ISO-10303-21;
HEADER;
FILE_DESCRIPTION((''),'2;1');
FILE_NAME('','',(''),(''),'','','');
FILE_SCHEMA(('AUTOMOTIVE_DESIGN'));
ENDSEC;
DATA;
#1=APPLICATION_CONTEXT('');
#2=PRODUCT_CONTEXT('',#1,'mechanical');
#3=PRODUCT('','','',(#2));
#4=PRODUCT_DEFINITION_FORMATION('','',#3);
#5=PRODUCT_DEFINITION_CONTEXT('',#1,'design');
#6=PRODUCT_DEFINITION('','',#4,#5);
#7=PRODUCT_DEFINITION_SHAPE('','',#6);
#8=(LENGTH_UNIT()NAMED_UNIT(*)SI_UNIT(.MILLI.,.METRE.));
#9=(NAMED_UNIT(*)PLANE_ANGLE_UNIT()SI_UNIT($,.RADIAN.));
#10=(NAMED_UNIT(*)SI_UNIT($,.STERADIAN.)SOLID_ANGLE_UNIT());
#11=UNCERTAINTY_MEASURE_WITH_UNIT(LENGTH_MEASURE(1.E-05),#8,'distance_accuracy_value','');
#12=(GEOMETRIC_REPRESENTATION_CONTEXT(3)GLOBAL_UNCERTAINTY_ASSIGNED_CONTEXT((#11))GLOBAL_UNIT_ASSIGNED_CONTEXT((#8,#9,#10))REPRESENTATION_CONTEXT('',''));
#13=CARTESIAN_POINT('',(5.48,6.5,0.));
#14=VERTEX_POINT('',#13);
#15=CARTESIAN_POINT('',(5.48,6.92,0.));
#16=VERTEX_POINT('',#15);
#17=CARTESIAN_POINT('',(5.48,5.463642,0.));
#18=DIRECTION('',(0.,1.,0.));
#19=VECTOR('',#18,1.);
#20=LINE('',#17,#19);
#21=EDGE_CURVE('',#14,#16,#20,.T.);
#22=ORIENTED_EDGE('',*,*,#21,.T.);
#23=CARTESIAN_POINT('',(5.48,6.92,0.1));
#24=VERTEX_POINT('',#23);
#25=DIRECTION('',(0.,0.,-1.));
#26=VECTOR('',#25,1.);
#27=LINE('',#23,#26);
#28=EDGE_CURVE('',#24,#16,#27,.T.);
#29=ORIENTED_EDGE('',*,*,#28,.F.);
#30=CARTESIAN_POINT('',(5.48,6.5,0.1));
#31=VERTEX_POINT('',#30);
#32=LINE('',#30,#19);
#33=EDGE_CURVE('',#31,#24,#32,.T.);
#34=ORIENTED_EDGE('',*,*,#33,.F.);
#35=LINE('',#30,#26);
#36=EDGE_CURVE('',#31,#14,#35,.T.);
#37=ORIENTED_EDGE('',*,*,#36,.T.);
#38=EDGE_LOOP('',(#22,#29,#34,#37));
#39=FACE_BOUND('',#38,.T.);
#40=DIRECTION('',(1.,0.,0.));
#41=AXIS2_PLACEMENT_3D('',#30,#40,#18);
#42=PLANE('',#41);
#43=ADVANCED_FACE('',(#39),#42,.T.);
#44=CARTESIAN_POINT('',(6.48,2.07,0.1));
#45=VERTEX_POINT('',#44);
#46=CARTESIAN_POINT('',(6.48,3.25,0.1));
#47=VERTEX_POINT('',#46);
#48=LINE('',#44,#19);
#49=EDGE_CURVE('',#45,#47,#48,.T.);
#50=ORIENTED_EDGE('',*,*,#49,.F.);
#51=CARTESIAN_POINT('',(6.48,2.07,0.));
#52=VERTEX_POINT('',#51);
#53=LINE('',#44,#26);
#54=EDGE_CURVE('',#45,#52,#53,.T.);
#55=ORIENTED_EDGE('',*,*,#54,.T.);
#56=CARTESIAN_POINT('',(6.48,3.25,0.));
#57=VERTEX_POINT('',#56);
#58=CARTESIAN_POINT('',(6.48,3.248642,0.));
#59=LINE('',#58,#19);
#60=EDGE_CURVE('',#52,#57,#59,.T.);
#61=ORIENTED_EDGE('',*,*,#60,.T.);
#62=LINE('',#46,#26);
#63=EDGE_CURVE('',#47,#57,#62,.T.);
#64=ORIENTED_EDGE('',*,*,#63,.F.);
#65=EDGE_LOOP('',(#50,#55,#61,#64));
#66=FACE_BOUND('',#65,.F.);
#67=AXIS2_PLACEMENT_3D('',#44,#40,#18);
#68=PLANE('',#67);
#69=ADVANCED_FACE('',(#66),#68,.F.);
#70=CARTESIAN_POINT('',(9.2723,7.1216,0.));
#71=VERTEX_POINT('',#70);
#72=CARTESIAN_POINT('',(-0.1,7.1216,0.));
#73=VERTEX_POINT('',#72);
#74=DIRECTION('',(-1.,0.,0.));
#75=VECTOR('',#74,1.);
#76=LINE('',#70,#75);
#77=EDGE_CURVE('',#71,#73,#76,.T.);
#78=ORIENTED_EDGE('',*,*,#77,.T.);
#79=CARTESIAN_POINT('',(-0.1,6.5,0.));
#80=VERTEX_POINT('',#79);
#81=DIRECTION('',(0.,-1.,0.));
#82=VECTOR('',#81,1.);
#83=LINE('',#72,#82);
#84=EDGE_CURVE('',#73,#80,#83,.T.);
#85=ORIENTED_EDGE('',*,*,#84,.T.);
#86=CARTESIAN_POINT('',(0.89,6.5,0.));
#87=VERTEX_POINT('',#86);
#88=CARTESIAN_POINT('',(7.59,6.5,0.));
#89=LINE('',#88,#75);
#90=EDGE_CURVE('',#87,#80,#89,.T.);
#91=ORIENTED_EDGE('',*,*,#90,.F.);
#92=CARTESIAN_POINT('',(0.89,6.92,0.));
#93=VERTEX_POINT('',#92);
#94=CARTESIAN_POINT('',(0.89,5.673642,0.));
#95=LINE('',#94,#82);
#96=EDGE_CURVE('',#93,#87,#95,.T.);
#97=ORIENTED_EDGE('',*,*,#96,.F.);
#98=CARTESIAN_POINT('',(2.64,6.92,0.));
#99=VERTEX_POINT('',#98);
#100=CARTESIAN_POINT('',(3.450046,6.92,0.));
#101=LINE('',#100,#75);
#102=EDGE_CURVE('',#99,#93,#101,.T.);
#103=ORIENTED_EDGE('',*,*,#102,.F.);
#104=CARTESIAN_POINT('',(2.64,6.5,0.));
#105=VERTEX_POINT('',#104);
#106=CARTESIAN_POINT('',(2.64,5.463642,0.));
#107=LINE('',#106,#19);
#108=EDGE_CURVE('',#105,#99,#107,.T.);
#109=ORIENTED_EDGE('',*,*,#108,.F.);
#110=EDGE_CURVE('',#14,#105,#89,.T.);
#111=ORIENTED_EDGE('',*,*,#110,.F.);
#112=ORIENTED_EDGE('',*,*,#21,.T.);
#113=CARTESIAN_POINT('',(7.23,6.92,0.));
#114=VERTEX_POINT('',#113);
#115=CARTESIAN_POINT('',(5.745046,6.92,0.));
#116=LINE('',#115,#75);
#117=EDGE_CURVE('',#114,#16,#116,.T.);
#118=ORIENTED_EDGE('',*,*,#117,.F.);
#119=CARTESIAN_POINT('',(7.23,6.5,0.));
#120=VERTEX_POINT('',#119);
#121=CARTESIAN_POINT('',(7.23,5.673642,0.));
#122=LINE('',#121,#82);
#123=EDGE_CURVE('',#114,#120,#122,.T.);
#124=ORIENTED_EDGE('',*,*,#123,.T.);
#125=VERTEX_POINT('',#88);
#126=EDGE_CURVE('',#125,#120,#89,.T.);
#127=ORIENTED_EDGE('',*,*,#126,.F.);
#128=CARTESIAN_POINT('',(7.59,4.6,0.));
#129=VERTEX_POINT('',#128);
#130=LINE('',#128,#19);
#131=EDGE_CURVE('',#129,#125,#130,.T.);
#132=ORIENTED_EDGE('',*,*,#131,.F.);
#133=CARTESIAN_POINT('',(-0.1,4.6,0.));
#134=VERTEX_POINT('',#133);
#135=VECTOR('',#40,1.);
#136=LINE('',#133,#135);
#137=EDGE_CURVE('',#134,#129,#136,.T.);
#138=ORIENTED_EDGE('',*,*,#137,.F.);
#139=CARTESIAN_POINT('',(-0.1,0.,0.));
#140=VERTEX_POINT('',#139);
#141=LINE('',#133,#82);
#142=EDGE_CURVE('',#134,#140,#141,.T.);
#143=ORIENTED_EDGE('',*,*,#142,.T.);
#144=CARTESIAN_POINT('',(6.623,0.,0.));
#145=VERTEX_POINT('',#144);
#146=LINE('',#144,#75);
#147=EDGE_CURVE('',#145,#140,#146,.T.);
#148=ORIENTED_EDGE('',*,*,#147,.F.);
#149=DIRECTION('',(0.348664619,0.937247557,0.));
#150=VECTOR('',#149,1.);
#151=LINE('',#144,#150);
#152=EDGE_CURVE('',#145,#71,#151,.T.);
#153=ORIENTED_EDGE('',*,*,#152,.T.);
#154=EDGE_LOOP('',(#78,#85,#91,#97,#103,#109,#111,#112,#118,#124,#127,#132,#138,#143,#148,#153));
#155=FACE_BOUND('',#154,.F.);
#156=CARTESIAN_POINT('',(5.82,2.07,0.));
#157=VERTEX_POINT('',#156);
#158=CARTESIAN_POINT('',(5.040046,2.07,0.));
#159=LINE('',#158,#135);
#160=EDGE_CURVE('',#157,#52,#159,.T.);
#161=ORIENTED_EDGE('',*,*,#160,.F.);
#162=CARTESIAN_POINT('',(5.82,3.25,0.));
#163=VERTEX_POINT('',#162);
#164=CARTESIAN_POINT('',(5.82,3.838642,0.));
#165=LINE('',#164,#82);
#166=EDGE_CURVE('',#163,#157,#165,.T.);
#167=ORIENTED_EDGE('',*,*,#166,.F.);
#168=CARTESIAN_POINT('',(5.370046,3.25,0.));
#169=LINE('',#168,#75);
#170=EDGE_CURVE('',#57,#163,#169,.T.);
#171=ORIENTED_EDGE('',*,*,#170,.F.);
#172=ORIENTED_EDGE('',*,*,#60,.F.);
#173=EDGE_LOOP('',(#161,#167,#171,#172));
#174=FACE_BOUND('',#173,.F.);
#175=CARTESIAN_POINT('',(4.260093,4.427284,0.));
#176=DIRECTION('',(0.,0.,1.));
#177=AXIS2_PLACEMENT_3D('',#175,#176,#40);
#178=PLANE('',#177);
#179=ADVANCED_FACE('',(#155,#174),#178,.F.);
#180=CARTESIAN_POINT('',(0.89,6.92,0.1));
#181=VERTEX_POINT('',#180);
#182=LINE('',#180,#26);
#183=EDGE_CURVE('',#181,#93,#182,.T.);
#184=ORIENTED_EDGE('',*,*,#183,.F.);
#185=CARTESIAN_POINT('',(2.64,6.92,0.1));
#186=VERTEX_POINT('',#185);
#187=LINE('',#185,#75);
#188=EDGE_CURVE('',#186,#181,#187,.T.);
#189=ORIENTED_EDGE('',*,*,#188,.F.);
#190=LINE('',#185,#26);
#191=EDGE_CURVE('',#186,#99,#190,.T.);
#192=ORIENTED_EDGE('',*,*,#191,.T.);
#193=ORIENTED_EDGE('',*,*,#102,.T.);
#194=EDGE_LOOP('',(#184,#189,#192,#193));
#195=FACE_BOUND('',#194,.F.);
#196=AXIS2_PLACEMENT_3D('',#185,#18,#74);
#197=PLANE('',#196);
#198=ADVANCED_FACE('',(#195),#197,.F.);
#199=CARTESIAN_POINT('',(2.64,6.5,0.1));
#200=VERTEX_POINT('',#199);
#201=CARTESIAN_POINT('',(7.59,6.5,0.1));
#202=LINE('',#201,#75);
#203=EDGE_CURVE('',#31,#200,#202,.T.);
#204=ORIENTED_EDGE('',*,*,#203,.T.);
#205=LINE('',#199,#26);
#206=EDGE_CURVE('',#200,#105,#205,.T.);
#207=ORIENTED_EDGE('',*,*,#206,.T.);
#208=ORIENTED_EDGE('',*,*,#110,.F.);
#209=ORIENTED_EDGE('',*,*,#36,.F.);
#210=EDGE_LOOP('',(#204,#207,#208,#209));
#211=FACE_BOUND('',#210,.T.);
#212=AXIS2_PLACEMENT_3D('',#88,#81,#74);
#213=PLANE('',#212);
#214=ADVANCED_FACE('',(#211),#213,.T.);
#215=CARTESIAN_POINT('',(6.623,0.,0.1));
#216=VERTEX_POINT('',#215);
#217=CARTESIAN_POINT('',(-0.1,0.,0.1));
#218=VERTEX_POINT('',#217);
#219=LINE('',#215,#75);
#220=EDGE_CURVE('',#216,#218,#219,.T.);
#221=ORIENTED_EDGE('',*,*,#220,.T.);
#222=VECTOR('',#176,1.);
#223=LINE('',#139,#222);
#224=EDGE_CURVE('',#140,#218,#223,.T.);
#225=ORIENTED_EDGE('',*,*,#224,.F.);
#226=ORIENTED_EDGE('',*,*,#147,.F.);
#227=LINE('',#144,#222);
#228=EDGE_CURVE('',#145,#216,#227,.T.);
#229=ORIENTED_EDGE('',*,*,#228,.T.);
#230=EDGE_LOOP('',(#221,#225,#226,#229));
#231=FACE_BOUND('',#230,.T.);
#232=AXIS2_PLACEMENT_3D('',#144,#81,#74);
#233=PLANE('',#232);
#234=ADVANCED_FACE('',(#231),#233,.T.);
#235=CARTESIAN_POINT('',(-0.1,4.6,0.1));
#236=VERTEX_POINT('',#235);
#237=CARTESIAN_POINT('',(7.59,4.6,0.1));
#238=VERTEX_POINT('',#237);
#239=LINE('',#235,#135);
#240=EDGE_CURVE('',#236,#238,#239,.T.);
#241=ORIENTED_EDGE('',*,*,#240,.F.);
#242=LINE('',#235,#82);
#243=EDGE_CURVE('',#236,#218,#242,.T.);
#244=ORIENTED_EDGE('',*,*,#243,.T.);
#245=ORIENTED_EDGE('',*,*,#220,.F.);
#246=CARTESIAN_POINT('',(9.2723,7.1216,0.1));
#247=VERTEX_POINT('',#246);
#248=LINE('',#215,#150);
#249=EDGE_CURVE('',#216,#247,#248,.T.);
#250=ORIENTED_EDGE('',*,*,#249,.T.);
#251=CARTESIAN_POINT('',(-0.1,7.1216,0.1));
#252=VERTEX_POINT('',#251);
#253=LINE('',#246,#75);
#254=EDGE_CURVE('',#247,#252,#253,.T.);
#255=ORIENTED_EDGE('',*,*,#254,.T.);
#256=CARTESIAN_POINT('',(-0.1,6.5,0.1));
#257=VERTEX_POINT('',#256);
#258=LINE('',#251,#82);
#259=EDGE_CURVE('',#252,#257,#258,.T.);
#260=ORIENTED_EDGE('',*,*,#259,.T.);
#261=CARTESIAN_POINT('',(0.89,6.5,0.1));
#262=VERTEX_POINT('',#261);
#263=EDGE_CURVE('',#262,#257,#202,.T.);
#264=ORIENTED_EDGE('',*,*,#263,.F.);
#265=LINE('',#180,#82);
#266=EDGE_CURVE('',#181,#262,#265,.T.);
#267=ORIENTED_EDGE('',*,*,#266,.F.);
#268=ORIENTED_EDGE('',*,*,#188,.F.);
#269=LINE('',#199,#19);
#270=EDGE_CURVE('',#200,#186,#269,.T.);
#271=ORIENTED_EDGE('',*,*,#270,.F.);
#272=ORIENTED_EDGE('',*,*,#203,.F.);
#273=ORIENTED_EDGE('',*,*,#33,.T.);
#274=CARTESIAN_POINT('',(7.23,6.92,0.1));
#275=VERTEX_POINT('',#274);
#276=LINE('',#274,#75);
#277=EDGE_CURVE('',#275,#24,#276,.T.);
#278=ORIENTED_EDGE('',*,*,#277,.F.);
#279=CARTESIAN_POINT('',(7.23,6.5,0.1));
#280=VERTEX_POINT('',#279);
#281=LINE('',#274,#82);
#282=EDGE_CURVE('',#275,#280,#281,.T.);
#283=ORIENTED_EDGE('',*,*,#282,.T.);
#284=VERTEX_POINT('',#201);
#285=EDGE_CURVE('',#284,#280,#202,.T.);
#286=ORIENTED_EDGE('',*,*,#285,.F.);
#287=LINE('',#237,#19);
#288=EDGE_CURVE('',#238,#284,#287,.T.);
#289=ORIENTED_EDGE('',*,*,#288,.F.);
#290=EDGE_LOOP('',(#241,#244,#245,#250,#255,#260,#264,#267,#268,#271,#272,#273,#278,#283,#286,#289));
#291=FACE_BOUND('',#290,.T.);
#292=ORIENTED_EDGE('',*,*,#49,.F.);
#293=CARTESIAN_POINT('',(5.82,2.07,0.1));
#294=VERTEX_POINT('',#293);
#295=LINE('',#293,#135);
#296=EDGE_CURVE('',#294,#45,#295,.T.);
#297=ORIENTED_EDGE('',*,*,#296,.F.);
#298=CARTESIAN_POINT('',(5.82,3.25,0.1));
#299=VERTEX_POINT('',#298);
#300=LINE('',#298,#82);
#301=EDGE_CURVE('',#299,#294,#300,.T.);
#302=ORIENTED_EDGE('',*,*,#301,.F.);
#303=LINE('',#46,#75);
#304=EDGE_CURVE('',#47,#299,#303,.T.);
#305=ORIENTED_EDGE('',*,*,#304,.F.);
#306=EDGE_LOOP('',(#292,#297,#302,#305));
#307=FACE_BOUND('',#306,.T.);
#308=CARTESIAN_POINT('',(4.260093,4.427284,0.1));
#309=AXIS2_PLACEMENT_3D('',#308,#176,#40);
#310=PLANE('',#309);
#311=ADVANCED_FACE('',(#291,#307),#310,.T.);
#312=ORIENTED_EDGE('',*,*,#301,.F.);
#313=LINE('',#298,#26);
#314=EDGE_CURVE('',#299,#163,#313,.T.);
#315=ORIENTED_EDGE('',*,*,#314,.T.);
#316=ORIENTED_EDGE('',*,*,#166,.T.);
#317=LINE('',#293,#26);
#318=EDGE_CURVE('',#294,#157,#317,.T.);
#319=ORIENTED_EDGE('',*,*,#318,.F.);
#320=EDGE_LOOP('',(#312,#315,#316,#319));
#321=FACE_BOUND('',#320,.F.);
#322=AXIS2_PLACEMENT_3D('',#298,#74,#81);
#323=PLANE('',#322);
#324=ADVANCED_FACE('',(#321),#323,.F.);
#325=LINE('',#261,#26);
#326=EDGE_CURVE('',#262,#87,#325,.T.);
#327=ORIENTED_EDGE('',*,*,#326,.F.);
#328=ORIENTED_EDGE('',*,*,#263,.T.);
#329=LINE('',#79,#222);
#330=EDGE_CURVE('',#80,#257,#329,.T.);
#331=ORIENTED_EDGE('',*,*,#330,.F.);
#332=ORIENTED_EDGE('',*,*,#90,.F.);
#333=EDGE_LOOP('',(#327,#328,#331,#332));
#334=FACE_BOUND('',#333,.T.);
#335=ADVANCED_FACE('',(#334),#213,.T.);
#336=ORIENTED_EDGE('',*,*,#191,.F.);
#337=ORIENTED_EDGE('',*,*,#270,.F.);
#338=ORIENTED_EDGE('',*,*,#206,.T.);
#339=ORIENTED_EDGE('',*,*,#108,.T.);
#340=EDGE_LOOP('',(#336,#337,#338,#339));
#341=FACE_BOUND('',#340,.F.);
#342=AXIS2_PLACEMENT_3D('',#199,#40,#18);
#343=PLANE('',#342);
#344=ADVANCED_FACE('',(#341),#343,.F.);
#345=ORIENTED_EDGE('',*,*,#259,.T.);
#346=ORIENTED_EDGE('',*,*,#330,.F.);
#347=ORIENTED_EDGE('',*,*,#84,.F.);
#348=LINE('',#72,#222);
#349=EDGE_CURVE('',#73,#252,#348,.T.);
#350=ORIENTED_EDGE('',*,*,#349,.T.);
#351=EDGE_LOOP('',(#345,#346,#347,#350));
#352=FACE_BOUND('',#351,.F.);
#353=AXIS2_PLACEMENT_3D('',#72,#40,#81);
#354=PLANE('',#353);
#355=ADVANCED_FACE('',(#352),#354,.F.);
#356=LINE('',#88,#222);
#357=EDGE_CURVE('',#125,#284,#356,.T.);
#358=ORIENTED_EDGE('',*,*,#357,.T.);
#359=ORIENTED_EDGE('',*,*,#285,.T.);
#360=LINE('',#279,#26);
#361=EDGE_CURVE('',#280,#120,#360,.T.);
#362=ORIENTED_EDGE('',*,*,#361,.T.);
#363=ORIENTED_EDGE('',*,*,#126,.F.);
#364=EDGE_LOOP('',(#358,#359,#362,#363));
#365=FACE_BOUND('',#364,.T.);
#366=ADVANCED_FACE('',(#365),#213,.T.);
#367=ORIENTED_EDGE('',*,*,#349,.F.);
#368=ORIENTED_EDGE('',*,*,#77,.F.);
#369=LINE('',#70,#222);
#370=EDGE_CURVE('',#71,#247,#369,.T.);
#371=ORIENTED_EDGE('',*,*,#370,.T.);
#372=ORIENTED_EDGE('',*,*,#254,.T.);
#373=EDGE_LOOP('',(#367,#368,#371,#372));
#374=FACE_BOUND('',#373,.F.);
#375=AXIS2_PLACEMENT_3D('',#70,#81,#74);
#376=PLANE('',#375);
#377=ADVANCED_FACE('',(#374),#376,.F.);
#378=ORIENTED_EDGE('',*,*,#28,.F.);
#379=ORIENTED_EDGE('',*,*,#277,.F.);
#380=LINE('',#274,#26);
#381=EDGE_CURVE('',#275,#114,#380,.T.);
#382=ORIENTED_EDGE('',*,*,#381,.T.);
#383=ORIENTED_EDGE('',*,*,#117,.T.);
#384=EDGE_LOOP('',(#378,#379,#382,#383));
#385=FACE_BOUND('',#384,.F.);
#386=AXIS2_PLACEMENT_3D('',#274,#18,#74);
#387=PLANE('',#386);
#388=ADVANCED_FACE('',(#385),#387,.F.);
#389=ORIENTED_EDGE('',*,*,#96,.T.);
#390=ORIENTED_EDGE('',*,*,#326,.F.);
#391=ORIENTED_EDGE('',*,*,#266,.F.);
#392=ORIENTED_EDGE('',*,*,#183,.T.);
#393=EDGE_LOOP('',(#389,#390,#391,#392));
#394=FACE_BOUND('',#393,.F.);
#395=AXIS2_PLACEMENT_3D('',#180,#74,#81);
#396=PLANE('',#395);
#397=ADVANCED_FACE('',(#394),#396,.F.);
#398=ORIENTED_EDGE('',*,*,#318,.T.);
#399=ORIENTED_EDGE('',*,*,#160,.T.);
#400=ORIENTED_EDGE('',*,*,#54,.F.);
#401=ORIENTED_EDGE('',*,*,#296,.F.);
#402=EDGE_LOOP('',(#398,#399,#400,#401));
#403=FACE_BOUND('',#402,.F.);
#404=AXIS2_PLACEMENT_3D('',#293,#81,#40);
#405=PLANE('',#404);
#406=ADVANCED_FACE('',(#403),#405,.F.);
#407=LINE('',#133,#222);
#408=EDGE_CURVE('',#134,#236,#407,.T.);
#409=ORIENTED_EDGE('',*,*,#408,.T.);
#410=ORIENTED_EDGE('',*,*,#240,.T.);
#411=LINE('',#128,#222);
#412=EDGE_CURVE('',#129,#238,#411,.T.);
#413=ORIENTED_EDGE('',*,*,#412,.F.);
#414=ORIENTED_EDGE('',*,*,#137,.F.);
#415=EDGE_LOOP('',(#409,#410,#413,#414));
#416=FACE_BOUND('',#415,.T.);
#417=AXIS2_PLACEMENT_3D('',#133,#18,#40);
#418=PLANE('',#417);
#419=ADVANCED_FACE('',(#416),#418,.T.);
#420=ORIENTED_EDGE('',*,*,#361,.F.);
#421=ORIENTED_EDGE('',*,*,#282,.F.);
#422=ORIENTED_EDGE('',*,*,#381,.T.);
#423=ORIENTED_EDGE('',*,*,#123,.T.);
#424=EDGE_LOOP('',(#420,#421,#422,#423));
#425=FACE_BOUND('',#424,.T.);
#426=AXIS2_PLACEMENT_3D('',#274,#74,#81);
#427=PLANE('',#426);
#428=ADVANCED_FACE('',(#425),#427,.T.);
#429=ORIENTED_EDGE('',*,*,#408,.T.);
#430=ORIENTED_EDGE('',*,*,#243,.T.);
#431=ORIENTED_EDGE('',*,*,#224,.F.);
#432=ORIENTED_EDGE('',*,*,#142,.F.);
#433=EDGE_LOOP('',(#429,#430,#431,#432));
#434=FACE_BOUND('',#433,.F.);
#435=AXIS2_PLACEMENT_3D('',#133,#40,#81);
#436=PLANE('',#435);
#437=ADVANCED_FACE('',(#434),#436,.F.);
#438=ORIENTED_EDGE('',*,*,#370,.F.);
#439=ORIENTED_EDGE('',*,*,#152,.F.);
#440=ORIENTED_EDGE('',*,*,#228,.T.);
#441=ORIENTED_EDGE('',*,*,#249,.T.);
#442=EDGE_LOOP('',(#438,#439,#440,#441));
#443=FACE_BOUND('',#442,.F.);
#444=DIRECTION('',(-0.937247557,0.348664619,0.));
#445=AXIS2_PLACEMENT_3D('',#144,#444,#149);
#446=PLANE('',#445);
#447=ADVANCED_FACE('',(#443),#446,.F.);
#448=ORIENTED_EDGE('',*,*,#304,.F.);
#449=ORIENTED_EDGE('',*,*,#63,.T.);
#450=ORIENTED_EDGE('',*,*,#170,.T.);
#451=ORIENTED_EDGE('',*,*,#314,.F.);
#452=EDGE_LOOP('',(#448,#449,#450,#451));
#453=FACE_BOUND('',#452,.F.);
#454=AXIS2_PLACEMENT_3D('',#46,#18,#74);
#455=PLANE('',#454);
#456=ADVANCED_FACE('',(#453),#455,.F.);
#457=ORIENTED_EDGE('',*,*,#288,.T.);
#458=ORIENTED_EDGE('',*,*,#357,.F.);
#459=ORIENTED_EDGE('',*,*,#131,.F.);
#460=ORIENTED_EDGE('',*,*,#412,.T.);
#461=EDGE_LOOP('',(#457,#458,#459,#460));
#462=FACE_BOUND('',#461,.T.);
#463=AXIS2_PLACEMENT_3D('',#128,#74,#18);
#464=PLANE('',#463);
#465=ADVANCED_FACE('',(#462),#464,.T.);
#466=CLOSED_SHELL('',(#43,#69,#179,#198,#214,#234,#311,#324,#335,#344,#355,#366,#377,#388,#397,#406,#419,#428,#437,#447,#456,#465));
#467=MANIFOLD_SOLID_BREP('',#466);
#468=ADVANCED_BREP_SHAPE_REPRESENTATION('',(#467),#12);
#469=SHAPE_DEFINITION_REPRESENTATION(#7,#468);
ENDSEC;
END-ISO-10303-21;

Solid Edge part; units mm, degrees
sketch "Sketch1" plane through (0, 0, 0) normal (0, 0, 1) x (1, 0, 0)
  line L0 (-0.1, 4.6) -> (-0.1, 0)
  line L1 (6.623, 0) -> (-0.1, 0)
  line L2 (6.623, 0) -> (9.2723, 7.1216)
  line L3 (9.2723, 7.1216) -> (-0.1, 7.1216)
  line L4 (-0.1, 7.1216) -> (-0.1, 6.5)
  line L5 (7.59, 6.5) -> (-0.1, 6.5)
  line L6 (7.59, 4.6) -> (7.59, 6.5)
  line L7 (-0.1, 4.6) -> (7.59, 4.6)
  dimension "D1" = 4.6
  dimension "D2" = 7.69
  dimension "D3" = 1.9
extrude "Protrusion1" add sketch "Sketch1" along normal blind 0.1
sketch "Sketch2" plane through (4.6037, 3.5608, 0.1) normal (0, 0, 1) x (-1, 0, 0)
  line L0 (-1.8763, 0.3108) -> (-1.2163, 0.3108)
  line L1 (-1.2163, 0.3108) -> (-1.2163, 1.4908)
  line L2 (-1.2163, 1.4908) -> (-1.8763, 1.4908)
  line L3 (-1.8763, 1.4908) -> (-1.8763, 0.3108)
  dimension "D1" = 1.2163
  dimension "D2" = 1.8763
  dimension "D3" = 1.2163
extrude "Cutout1" cut sketch "Sketch2" against normal through all
sketch "Sketch3" plane through (4.5862, 3.5608, 0.1) normal (0, 0, 1) x (-1, 0, 0)
  line L0 (-0.8938, -2.9392) -> (-2.6438, -2.9392)
  line L1 (-2.6438, -3.3592) -> (-2.6438, -2.9392)
  line L2 (-2.6438, -3.3592) -> (-0.8938, -3.3592)
  line L3 (-0.8938, -2.9392) -> (-0.8938, -3.3592)
  line L4 (1.9462, -2.9392) -> (1.9462, -3.3592)
  line L5 (1.9462, -3.3592) -> (3.6962, -3.3592)
  line L6 (3.6962, -3.3592) -> (3.6962, -2.9392)
  line L7 (3.6962, -2.9392) -> (1.9462, -2.9392)
extrude "Cutout2" cut sketch "Sketch3" against normal through all
